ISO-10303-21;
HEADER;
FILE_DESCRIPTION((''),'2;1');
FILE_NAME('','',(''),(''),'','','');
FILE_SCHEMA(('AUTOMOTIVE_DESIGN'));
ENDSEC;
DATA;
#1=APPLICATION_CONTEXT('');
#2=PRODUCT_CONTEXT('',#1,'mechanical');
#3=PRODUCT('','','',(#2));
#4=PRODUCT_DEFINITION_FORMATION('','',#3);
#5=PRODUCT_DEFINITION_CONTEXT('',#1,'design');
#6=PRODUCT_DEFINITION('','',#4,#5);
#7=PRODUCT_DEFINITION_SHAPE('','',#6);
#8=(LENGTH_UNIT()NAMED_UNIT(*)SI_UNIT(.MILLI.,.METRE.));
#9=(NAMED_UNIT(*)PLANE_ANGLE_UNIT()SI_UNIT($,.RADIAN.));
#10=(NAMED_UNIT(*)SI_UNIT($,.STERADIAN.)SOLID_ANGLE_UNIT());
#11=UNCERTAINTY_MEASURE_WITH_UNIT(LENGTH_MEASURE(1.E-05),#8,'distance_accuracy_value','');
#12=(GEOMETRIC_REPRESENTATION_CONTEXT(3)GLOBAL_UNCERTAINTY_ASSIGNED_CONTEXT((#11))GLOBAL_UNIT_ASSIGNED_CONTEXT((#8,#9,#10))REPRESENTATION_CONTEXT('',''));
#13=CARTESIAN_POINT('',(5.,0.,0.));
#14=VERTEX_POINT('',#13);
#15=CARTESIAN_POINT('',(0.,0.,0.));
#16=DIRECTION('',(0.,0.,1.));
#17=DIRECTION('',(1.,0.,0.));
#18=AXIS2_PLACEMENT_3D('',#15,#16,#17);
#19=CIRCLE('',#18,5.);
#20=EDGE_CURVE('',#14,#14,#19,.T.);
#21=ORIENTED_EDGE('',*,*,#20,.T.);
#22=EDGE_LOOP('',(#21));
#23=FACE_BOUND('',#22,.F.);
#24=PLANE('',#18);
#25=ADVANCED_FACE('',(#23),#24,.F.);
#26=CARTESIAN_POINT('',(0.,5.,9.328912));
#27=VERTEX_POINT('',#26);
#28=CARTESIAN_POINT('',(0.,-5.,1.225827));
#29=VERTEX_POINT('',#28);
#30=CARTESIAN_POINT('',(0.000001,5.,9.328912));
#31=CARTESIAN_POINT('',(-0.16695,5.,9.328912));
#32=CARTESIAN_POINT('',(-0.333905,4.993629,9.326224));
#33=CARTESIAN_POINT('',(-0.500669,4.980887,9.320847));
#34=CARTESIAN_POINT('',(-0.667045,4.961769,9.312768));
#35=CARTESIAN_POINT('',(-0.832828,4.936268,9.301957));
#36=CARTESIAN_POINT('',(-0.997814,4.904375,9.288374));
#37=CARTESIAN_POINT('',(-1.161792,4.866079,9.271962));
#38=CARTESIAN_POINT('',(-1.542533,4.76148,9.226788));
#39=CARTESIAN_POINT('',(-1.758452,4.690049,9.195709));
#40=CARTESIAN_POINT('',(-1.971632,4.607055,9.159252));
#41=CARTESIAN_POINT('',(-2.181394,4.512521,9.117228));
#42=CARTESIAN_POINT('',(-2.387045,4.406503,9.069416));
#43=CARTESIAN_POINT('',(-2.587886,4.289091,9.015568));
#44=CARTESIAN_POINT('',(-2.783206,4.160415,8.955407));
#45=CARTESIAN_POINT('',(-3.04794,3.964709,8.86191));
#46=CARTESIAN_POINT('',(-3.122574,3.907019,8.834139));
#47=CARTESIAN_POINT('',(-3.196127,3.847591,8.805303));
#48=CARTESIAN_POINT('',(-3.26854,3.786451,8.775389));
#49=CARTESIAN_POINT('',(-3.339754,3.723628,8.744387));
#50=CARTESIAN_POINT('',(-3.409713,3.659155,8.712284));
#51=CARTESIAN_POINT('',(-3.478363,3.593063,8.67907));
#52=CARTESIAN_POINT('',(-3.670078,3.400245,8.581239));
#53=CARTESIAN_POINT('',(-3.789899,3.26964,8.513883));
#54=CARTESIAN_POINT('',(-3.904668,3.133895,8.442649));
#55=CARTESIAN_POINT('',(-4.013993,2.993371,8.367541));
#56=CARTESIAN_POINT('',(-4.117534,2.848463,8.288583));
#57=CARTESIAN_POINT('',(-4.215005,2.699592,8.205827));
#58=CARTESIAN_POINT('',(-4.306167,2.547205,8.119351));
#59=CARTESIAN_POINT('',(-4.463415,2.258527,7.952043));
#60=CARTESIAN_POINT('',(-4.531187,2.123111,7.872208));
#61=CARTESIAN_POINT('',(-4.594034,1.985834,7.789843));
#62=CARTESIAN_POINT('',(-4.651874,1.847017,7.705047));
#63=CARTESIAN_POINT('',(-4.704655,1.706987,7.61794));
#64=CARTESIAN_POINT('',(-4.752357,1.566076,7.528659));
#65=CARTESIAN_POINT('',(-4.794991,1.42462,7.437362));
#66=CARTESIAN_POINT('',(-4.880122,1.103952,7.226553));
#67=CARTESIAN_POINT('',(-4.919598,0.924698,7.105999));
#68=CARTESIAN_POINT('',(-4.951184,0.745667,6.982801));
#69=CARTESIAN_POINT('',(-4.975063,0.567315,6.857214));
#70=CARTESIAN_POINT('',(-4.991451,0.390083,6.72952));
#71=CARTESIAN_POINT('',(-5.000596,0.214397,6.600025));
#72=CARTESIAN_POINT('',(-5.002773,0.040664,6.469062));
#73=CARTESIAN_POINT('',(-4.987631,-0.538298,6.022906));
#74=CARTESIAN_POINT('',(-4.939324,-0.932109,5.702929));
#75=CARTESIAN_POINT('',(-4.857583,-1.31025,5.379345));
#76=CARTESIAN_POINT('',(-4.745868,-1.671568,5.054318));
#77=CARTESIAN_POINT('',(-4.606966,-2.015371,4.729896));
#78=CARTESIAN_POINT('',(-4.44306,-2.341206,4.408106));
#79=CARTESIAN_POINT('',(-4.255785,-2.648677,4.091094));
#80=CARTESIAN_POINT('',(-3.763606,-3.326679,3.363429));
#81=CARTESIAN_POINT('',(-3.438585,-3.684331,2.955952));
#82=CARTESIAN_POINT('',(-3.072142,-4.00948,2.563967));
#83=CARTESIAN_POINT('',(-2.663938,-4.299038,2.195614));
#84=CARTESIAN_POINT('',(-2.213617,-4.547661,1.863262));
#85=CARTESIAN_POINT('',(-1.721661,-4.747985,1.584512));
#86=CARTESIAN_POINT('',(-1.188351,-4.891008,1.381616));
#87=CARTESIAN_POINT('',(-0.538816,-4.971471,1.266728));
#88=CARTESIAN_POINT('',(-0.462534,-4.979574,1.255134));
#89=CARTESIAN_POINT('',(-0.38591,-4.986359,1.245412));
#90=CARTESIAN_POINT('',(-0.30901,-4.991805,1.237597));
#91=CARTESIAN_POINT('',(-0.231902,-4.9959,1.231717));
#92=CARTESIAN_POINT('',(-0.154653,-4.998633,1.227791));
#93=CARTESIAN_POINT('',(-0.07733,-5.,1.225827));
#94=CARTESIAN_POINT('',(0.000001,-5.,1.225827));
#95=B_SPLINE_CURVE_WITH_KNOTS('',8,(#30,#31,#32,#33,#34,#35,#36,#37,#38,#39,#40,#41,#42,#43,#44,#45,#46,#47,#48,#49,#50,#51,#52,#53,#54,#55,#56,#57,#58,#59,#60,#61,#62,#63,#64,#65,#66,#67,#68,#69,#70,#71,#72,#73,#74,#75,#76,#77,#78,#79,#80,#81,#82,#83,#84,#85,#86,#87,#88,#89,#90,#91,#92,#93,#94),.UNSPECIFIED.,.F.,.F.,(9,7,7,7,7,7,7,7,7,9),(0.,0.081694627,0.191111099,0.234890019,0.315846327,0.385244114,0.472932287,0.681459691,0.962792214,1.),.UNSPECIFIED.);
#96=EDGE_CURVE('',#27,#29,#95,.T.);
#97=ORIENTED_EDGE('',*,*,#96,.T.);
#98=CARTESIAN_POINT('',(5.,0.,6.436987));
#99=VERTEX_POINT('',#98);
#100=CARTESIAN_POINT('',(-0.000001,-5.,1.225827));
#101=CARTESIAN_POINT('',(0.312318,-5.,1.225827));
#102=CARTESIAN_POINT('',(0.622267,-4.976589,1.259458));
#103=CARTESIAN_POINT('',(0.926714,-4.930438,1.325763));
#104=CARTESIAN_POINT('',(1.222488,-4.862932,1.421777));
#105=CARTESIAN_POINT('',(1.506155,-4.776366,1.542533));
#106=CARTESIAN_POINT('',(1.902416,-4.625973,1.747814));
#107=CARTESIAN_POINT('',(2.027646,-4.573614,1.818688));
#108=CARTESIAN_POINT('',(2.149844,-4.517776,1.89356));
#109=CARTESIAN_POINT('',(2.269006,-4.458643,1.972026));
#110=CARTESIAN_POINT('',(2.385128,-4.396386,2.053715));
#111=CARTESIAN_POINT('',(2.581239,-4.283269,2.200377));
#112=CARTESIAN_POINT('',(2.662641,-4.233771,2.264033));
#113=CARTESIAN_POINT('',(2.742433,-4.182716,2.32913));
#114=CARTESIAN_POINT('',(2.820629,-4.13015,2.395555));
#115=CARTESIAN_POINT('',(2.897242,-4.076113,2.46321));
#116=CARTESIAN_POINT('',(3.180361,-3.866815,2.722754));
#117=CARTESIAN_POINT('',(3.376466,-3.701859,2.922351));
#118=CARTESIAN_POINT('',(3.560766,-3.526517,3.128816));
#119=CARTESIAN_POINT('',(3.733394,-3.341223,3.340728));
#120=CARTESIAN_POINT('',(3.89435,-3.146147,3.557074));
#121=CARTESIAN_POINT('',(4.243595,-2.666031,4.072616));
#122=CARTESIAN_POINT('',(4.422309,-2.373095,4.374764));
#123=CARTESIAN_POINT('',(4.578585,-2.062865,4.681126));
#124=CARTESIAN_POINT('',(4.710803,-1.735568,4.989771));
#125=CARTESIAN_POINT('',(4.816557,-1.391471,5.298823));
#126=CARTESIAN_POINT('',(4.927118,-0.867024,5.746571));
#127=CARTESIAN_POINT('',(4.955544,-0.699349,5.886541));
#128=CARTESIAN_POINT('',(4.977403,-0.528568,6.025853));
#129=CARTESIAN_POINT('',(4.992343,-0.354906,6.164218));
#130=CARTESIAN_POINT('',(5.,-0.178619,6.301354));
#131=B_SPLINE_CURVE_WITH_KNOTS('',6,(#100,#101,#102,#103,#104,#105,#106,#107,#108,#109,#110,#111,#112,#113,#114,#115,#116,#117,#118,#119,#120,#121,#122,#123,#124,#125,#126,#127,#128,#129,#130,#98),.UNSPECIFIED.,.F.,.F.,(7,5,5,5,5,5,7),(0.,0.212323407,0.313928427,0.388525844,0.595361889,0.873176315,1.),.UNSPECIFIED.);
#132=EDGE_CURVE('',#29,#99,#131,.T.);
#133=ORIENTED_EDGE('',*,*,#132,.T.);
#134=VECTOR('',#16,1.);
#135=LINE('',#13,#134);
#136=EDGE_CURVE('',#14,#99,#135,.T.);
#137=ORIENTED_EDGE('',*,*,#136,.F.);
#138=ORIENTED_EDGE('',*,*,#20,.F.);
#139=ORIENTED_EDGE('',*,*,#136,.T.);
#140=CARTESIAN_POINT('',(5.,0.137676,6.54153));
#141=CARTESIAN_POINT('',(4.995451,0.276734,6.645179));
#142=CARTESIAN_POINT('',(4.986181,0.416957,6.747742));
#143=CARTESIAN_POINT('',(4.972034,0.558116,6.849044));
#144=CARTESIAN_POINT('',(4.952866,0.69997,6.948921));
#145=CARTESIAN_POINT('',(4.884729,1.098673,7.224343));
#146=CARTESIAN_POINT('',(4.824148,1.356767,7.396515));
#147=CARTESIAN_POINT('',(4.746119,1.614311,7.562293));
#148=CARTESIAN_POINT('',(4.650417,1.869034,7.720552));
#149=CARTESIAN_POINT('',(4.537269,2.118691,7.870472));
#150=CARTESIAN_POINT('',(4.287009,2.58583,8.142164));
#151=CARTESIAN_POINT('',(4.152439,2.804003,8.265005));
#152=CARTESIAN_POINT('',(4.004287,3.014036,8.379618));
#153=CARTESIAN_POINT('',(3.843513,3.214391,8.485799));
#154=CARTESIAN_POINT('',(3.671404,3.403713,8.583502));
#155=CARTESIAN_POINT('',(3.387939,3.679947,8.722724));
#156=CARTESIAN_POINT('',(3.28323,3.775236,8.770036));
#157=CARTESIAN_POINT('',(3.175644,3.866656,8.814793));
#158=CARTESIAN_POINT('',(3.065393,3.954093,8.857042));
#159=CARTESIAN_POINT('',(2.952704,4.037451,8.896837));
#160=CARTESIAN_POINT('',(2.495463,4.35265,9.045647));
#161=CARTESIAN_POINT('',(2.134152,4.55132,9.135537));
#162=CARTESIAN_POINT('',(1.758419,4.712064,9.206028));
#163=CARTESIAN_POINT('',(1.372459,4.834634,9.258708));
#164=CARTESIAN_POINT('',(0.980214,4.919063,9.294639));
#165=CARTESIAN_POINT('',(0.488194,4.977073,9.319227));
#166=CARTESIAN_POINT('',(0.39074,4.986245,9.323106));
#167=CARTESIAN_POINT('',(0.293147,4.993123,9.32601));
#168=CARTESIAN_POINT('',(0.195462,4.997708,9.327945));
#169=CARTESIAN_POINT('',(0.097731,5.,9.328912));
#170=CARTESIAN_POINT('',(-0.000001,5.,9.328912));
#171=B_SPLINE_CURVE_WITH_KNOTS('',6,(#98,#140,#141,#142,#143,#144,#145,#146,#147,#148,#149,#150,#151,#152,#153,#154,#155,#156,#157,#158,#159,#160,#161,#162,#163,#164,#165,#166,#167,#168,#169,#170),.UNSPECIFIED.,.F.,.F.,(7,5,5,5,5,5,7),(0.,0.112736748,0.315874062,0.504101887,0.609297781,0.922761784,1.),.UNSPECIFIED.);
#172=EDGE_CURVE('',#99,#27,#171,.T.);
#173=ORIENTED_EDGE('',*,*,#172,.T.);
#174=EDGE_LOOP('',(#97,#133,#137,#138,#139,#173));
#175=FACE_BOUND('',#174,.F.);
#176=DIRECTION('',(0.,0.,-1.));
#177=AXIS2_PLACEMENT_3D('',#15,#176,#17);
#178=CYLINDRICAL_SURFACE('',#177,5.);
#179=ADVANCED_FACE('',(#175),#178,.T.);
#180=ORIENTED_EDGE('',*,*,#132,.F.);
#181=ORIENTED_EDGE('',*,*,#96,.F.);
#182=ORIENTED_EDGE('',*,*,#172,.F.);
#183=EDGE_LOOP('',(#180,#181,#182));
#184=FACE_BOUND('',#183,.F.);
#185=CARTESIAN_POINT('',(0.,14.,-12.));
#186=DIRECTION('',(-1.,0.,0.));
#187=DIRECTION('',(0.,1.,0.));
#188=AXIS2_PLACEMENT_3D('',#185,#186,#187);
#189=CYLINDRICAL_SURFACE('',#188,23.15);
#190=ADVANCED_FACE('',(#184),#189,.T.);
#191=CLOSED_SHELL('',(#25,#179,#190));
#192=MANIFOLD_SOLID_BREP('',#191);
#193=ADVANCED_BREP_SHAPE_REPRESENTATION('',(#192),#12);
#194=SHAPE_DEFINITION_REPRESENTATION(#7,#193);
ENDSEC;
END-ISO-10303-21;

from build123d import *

# Parameters (mm, degrees)
F0_R          = 5
F1_DEPTH      = 25
F2_R          = 100
F2_R_2        = 23.15
F3_DEPTH      = 25
F3_DEPTH_BACK = 25


with BuildPart() as f1:
    # F0 (on Top) → F1 (new body)
    with BuildSketch(Plane.XY):
        Circle(F0_R)
    extrude(amount=F1_DEPTH)

    # F2 (on Right) → F3 (cut, two sides)
    with BuildSketch(Plane.YZ) as f3_sk:
        with Locations((14, -12)):
            Circle(F2_R)
        with Locations((14, -12)):
            Circle(F2_R_2, mode=Mode.SUBTRACT)
    extrude(amount=-F3_DEPTH, mode=Mode.SUBTRACT)
    extrude(f3_sk.sketch, amount=F3_DEPTH_BACK, mode=Mode.SUBTRACT)


solid = f1.part
